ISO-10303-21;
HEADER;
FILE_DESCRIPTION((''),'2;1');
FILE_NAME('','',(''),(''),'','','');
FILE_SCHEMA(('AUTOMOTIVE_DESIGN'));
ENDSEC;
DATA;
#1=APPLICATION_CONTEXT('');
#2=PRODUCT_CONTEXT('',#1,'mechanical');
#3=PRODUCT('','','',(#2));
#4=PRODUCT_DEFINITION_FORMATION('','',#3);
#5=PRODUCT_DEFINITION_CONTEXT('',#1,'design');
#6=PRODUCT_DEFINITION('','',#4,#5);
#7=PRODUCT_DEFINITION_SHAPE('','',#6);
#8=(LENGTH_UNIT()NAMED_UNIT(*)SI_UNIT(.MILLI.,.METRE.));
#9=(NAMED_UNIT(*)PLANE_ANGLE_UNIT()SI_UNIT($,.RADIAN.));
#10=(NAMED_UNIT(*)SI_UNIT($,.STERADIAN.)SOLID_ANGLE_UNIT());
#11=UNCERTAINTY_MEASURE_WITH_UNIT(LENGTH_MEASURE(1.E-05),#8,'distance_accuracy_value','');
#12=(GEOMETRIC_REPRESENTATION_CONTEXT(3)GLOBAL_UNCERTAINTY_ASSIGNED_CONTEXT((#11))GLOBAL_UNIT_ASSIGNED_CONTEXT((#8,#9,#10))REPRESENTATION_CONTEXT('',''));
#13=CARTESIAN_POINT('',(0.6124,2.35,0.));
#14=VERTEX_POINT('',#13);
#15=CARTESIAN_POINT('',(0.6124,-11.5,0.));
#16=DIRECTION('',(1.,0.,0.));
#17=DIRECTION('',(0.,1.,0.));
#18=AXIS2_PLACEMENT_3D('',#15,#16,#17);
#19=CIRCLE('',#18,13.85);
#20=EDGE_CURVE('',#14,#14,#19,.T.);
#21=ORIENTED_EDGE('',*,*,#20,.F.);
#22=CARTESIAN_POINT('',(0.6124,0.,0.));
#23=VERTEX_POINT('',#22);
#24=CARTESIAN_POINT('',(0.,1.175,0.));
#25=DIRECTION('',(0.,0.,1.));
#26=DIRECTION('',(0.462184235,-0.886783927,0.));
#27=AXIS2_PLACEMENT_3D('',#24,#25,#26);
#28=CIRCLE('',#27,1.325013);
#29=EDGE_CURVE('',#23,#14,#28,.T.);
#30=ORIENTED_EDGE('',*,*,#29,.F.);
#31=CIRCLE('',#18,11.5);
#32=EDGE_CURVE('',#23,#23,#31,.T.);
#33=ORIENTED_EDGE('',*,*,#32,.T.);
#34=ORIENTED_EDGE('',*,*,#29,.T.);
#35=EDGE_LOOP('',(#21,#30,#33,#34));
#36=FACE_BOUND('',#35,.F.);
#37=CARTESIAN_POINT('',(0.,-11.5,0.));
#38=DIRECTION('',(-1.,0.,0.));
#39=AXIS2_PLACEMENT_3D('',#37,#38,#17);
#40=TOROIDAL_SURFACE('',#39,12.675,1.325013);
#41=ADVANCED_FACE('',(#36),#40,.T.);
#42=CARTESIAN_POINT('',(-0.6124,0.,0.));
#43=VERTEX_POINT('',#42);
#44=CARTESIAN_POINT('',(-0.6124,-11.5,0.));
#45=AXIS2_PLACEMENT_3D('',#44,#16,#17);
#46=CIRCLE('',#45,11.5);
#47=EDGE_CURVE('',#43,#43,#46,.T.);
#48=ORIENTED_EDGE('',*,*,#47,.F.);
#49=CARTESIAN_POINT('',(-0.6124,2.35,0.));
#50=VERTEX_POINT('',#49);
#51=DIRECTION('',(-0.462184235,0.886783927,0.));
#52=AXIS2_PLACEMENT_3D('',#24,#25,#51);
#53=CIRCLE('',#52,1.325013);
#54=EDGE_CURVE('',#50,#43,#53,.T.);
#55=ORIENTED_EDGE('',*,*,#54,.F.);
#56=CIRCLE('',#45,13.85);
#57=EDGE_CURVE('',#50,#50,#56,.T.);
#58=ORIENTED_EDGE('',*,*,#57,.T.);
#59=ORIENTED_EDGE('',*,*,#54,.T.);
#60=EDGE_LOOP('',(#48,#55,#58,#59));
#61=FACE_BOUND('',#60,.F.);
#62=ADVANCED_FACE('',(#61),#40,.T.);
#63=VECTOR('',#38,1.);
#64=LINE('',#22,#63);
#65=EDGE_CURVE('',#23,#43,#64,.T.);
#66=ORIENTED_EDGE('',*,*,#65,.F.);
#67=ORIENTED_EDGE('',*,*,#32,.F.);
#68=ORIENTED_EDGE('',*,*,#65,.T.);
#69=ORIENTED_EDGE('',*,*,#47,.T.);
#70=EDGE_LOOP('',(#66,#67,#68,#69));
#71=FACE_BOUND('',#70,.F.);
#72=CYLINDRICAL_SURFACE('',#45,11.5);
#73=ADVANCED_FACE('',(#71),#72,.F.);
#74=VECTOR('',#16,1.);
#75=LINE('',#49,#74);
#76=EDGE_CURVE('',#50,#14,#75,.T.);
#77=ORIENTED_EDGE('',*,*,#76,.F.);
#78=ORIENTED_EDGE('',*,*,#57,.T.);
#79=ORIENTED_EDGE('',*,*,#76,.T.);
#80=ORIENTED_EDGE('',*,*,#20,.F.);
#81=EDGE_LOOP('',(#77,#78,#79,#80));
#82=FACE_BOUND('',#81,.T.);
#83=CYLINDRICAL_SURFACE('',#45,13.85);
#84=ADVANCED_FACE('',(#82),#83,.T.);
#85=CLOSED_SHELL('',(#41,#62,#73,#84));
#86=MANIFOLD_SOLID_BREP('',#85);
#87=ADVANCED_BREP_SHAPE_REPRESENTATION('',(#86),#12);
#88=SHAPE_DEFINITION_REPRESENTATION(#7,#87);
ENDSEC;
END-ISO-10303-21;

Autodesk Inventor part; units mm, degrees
ref_plane "YZ Plane" through (0, 0, 0) normal (1, 0, 0) x (0, 1, 0)
ref_plane "XZ Plane" through (0, 0, 0) normal (0, 1, 0) x (-1, 0, 0)
ref_plane "XY Plane" through (0, 0, 0) normal (0, 0, 1) x (1, 0, 0)
sketch "Sketch1" plane through (0, 0, 0) normal (0, 0, 1) x (1, 0, 0)
  line L0 (-0.0113, 0) -> (-0.0113, 0) construction
  line L1 (-0.6124, 2.35) -> (0.6124, 2.35)
  line L2 (-0.6124, 0) -> (0.6124, 0)
  arc A0 (-0.6124, 2.35) -> (-0.6124, 0) centre (0, 1.175) ccw
  line L3 (-4, -11.5) -> (6.0335, -11.5)
  line L4 (-6.0067, 0) -> (8.0403, 0) projected
  line L5 (0, 4.64) -> (0, -12.44) projected
  arc A1 (0.6124, 0) -> (0.6124, 2.35) centre (0, 1.175) ccw
  dimension "d0" = 23
  dimension "d1" = 1.175
  dimension "d2" = 1.325
  dimension "d3" = 1.175
  dimension "d4" = 2.35
revolve "Body" add sketch "Sketch1" angle 360 about axis through (-4, -11.5, 0) along (1, 0, 0)
equation "\"d0\" = NND"
equation "\"d1\" = -0.25 * NND + 0.25 * NDOR"
equation "\"d2\" = 0.5 * QDM"
equation "\"d3\" = -0.25 * NND + 0.25 * NDOR"
equation "\"d4\" = -0.5 * NND + 0.5 * NDOR"
equation "\"QDM\" = 2.65"
equation "\"NND\" = 23"
equation "\"NDOR\" = 27.7"
equation "\"R1\" = 0.3"
equation "\"R2\" = 0.2"
equation "\"SD1\" = 23.6"
equation "\"NB1\" = 3.4"
equation "\"BD\" = 23.14"
equation "\"NTOR\" = -0.5 * NND + 0.5 * NDOR"
properties part number "ISO 3601-1 - B 0236 G" material "Rubber"
